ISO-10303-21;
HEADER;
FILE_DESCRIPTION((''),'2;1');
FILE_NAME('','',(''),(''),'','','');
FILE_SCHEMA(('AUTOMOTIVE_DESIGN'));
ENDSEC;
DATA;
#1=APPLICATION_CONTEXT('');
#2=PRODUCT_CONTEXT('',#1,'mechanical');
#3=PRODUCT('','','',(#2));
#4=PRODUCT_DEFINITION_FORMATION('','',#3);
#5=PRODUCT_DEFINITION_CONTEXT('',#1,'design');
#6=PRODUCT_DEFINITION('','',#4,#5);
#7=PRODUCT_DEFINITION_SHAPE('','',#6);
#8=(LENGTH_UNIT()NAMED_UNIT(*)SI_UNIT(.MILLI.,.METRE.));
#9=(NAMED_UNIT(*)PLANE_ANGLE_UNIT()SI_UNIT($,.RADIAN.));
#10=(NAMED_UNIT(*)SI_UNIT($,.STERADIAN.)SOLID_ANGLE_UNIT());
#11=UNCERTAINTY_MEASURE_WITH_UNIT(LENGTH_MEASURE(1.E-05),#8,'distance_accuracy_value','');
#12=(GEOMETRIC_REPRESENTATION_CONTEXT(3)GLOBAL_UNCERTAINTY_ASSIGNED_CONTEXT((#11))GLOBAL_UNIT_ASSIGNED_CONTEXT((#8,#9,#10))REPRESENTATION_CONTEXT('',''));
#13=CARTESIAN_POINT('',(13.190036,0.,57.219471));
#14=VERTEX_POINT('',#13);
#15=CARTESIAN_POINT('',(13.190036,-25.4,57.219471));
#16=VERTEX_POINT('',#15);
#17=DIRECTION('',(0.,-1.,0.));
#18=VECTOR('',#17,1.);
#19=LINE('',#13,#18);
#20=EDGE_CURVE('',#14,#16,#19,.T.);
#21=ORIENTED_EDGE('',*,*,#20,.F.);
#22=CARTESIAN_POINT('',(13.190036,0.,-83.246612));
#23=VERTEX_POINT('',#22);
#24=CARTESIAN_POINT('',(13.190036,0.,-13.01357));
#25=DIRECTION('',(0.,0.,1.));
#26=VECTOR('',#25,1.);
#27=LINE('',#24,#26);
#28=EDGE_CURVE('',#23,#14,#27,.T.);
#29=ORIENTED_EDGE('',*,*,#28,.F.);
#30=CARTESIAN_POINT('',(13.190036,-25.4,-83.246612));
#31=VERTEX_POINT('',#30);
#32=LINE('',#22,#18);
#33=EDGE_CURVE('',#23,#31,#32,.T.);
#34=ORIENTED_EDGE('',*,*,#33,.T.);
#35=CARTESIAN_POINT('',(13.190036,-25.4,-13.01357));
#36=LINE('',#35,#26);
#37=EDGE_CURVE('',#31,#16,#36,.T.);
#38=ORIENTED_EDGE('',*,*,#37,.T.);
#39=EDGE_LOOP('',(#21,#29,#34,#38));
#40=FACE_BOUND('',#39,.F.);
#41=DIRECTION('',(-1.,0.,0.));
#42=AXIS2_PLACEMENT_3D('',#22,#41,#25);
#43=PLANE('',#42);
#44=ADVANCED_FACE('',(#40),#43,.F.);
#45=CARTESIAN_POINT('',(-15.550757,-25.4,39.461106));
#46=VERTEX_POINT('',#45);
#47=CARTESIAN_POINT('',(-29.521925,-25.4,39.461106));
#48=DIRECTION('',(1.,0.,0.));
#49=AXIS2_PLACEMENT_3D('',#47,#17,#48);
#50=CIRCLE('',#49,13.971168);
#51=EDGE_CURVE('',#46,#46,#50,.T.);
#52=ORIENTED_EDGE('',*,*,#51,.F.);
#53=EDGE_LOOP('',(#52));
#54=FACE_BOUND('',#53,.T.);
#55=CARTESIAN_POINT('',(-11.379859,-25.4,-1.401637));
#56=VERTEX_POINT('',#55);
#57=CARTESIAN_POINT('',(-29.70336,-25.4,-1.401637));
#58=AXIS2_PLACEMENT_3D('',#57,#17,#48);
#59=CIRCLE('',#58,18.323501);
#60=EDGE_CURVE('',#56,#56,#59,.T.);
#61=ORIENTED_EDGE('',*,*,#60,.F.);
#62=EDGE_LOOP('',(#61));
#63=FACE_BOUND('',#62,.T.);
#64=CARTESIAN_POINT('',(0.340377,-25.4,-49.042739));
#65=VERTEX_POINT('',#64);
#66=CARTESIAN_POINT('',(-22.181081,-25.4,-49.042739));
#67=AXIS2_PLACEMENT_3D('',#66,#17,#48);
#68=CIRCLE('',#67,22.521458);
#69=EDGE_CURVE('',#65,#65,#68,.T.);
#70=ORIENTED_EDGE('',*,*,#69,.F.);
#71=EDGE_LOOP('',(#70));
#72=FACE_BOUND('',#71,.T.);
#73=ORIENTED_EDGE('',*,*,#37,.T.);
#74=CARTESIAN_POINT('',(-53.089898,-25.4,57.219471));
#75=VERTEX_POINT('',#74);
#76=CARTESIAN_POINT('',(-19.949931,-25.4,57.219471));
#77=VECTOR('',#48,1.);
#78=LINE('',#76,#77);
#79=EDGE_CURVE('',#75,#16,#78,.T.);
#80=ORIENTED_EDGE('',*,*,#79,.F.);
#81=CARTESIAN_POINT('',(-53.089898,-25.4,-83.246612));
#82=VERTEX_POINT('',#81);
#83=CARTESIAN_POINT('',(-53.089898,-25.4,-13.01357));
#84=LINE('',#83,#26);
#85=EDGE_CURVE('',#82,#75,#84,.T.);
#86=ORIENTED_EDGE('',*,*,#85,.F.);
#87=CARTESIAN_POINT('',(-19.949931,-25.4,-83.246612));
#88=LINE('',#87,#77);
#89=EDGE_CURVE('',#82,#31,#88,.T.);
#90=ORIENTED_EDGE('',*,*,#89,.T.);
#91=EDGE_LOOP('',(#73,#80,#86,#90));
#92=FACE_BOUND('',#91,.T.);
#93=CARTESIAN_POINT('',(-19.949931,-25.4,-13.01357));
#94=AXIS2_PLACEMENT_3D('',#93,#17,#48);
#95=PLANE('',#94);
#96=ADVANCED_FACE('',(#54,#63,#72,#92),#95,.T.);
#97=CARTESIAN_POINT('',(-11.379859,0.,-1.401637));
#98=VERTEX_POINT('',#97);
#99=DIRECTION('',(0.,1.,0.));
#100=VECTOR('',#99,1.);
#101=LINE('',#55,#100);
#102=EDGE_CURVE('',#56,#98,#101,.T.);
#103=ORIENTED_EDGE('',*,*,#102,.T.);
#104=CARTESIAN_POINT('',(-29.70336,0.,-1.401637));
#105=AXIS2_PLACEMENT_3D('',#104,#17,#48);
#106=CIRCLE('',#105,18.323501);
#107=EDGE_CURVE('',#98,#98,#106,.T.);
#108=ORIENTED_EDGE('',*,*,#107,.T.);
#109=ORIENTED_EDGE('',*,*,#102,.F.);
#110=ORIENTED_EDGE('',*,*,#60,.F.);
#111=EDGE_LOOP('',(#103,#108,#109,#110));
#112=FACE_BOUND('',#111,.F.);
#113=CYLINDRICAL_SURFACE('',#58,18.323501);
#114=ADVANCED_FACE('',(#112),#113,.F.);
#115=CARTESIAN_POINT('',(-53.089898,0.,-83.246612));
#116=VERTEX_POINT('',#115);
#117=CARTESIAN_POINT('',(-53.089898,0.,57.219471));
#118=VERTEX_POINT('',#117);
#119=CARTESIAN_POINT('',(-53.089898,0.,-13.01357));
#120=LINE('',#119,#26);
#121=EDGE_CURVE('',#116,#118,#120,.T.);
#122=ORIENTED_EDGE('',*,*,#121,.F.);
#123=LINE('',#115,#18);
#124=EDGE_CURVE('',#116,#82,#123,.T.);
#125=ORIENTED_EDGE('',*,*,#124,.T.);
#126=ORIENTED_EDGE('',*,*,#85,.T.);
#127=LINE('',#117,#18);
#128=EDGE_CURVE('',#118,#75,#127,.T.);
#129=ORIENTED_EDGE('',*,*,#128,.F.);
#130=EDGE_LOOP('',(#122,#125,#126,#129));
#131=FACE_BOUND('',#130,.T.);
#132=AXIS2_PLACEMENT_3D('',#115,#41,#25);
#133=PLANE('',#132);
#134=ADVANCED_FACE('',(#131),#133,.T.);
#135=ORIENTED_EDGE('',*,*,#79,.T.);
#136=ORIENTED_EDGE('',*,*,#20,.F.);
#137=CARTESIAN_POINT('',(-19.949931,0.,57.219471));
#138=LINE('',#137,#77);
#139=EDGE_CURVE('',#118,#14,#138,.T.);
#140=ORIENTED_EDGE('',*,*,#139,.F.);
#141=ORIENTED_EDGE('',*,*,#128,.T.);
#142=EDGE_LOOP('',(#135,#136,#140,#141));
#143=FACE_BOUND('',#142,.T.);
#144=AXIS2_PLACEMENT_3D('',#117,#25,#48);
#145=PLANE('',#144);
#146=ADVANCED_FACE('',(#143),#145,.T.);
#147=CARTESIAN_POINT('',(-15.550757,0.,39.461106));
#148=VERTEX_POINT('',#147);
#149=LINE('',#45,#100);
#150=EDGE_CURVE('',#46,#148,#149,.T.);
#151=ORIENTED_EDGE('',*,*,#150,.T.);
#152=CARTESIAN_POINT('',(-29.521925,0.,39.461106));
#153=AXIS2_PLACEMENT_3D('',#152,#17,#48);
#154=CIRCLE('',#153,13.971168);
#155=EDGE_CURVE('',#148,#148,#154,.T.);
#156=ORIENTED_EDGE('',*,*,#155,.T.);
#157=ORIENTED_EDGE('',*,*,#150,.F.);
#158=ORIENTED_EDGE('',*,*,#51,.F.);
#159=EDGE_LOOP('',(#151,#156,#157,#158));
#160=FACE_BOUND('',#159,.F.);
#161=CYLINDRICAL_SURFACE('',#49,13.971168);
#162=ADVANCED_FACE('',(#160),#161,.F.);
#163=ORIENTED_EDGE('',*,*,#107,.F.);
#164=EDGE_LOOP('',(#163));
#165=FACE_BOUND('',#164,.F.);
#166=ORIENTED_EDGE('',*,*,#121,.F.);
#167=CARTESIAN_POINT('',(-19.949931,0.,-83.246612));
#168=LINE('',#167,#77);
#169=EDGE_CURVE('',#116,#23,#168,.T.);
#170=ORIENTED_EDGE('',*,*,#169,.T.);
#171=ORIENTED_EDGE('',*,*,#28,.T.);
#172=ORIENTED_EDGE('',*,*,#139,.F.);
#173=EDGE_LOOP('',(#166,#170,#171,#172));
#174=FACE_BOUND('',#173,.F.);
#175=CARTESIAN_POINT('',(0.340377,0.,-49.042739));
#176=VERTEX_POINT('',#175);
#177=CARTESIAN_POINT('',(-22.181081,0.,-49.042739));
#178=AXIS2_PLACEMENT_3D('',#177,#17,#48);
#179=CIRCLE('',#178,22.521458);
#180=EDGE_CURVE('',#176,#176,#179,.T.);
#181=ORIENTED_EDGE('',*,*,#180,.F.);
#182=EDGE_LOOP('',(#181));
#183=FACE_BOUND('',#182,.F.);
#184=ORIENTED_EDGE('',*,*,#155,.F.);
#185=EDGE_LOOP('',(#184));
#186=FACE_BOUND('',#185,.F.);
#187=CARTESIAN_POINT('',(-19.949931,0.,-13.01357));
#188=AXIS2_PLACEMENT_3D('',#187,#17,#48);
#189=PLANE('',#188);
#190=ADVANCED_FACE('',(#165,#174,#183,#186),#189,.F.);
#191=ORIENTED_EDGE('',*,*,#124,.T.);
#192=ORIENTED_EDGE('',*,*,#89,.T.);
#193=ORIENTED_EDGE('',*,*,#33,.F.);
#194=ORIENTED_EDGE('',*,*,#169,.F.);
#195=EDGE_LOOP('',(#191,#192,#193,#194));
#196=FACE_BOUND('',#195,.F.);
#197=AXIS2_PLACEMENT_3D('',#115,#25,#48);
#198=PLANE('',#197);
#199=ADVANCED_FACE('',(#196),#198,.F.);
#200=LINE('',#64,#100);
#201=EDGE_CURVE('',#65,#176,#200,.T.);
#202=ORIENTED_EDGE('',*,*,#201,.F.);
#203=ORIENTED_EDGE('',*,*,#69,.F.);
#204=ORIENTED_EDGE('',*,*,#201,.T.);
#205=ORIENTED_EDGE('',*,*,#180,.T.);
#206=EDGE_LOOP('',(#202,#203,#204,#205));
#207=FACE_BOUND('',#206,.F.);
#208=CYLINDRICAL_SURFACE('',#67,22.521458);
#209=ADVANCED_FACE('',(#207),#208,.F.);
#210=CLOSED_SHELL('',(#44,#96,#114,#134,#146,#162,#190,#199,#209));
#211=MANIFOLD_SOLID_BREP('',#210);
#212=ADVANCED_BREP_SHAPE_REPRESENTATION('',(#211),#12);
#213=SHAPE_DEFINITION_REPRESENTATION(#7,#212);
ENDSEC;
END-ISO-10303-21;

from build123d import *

# Parameters (mm, degrees)
F0_W      = 66.279934
F0_H      = 140.466083
F1_DEPTH  = 25.4
F2_R      = 13.971168
F3_DEPTH  = 25.4
F4_R      = 19.032879
F5_DEPTH  = 25.4
F5_FACE_R = 19.032879
F6_DEPTH  = 25.4
F7_R      = 18.323501
F7_R_2    = 22.521458
F8_DEPTH  = 25.4


with BuildPart() as f1:
    # F0 (on Front) → F1 (new body)
    with BuildSketch(Plane.XZ):
        with Locations((-19.949931, -13.01357)):
            Rectangle(F0_W, F0_H)
    extrude(amount=F1_DEPTH)

    # F2 (on face) → F3 (cut)
    with BuildSketch(Plane.XZ.offset(25.4)):
        with Locations((-29.521925, 39.461106)):
            Circle(F2_R)
    extrude(amount=-F3_DEPTH, mode=Mode.SUBTRACT)

    # F4 (on face) → F5 (join)
    with BuildSketch(Plane.XZ.offset(25.4)):
        with Locations((-25.564913, -7.869989)):
            Circle(F4_R)
    extrude(amount=F5_DEPTH)

    # F5_face (on face) → F6 (cut)
    with BuildSketch(Plane(origin=(-25.564913, -50.8, -7.869989), x_dir=(1, 0, 0), z_dir=(0, -1, 0))):
        Circle(F5_FACE_R)
    extrude(amount=-F6_DEPTH, mode=Mode.SUBTRACT)

    # F7 (on face) → F8 (cut)
    with BuildSketch(Plane.XZ.offset(25.4)):
        with Locations((-29.70336, -1.401637)):
            Circle(F7_R)
        with Locations((-22.181081, -49.042739)):
            Circle(F7_R_2)
    extrude(amount=-F8_DEPTH, mode=Mode.SUBTRACT)


solid = f1.part
